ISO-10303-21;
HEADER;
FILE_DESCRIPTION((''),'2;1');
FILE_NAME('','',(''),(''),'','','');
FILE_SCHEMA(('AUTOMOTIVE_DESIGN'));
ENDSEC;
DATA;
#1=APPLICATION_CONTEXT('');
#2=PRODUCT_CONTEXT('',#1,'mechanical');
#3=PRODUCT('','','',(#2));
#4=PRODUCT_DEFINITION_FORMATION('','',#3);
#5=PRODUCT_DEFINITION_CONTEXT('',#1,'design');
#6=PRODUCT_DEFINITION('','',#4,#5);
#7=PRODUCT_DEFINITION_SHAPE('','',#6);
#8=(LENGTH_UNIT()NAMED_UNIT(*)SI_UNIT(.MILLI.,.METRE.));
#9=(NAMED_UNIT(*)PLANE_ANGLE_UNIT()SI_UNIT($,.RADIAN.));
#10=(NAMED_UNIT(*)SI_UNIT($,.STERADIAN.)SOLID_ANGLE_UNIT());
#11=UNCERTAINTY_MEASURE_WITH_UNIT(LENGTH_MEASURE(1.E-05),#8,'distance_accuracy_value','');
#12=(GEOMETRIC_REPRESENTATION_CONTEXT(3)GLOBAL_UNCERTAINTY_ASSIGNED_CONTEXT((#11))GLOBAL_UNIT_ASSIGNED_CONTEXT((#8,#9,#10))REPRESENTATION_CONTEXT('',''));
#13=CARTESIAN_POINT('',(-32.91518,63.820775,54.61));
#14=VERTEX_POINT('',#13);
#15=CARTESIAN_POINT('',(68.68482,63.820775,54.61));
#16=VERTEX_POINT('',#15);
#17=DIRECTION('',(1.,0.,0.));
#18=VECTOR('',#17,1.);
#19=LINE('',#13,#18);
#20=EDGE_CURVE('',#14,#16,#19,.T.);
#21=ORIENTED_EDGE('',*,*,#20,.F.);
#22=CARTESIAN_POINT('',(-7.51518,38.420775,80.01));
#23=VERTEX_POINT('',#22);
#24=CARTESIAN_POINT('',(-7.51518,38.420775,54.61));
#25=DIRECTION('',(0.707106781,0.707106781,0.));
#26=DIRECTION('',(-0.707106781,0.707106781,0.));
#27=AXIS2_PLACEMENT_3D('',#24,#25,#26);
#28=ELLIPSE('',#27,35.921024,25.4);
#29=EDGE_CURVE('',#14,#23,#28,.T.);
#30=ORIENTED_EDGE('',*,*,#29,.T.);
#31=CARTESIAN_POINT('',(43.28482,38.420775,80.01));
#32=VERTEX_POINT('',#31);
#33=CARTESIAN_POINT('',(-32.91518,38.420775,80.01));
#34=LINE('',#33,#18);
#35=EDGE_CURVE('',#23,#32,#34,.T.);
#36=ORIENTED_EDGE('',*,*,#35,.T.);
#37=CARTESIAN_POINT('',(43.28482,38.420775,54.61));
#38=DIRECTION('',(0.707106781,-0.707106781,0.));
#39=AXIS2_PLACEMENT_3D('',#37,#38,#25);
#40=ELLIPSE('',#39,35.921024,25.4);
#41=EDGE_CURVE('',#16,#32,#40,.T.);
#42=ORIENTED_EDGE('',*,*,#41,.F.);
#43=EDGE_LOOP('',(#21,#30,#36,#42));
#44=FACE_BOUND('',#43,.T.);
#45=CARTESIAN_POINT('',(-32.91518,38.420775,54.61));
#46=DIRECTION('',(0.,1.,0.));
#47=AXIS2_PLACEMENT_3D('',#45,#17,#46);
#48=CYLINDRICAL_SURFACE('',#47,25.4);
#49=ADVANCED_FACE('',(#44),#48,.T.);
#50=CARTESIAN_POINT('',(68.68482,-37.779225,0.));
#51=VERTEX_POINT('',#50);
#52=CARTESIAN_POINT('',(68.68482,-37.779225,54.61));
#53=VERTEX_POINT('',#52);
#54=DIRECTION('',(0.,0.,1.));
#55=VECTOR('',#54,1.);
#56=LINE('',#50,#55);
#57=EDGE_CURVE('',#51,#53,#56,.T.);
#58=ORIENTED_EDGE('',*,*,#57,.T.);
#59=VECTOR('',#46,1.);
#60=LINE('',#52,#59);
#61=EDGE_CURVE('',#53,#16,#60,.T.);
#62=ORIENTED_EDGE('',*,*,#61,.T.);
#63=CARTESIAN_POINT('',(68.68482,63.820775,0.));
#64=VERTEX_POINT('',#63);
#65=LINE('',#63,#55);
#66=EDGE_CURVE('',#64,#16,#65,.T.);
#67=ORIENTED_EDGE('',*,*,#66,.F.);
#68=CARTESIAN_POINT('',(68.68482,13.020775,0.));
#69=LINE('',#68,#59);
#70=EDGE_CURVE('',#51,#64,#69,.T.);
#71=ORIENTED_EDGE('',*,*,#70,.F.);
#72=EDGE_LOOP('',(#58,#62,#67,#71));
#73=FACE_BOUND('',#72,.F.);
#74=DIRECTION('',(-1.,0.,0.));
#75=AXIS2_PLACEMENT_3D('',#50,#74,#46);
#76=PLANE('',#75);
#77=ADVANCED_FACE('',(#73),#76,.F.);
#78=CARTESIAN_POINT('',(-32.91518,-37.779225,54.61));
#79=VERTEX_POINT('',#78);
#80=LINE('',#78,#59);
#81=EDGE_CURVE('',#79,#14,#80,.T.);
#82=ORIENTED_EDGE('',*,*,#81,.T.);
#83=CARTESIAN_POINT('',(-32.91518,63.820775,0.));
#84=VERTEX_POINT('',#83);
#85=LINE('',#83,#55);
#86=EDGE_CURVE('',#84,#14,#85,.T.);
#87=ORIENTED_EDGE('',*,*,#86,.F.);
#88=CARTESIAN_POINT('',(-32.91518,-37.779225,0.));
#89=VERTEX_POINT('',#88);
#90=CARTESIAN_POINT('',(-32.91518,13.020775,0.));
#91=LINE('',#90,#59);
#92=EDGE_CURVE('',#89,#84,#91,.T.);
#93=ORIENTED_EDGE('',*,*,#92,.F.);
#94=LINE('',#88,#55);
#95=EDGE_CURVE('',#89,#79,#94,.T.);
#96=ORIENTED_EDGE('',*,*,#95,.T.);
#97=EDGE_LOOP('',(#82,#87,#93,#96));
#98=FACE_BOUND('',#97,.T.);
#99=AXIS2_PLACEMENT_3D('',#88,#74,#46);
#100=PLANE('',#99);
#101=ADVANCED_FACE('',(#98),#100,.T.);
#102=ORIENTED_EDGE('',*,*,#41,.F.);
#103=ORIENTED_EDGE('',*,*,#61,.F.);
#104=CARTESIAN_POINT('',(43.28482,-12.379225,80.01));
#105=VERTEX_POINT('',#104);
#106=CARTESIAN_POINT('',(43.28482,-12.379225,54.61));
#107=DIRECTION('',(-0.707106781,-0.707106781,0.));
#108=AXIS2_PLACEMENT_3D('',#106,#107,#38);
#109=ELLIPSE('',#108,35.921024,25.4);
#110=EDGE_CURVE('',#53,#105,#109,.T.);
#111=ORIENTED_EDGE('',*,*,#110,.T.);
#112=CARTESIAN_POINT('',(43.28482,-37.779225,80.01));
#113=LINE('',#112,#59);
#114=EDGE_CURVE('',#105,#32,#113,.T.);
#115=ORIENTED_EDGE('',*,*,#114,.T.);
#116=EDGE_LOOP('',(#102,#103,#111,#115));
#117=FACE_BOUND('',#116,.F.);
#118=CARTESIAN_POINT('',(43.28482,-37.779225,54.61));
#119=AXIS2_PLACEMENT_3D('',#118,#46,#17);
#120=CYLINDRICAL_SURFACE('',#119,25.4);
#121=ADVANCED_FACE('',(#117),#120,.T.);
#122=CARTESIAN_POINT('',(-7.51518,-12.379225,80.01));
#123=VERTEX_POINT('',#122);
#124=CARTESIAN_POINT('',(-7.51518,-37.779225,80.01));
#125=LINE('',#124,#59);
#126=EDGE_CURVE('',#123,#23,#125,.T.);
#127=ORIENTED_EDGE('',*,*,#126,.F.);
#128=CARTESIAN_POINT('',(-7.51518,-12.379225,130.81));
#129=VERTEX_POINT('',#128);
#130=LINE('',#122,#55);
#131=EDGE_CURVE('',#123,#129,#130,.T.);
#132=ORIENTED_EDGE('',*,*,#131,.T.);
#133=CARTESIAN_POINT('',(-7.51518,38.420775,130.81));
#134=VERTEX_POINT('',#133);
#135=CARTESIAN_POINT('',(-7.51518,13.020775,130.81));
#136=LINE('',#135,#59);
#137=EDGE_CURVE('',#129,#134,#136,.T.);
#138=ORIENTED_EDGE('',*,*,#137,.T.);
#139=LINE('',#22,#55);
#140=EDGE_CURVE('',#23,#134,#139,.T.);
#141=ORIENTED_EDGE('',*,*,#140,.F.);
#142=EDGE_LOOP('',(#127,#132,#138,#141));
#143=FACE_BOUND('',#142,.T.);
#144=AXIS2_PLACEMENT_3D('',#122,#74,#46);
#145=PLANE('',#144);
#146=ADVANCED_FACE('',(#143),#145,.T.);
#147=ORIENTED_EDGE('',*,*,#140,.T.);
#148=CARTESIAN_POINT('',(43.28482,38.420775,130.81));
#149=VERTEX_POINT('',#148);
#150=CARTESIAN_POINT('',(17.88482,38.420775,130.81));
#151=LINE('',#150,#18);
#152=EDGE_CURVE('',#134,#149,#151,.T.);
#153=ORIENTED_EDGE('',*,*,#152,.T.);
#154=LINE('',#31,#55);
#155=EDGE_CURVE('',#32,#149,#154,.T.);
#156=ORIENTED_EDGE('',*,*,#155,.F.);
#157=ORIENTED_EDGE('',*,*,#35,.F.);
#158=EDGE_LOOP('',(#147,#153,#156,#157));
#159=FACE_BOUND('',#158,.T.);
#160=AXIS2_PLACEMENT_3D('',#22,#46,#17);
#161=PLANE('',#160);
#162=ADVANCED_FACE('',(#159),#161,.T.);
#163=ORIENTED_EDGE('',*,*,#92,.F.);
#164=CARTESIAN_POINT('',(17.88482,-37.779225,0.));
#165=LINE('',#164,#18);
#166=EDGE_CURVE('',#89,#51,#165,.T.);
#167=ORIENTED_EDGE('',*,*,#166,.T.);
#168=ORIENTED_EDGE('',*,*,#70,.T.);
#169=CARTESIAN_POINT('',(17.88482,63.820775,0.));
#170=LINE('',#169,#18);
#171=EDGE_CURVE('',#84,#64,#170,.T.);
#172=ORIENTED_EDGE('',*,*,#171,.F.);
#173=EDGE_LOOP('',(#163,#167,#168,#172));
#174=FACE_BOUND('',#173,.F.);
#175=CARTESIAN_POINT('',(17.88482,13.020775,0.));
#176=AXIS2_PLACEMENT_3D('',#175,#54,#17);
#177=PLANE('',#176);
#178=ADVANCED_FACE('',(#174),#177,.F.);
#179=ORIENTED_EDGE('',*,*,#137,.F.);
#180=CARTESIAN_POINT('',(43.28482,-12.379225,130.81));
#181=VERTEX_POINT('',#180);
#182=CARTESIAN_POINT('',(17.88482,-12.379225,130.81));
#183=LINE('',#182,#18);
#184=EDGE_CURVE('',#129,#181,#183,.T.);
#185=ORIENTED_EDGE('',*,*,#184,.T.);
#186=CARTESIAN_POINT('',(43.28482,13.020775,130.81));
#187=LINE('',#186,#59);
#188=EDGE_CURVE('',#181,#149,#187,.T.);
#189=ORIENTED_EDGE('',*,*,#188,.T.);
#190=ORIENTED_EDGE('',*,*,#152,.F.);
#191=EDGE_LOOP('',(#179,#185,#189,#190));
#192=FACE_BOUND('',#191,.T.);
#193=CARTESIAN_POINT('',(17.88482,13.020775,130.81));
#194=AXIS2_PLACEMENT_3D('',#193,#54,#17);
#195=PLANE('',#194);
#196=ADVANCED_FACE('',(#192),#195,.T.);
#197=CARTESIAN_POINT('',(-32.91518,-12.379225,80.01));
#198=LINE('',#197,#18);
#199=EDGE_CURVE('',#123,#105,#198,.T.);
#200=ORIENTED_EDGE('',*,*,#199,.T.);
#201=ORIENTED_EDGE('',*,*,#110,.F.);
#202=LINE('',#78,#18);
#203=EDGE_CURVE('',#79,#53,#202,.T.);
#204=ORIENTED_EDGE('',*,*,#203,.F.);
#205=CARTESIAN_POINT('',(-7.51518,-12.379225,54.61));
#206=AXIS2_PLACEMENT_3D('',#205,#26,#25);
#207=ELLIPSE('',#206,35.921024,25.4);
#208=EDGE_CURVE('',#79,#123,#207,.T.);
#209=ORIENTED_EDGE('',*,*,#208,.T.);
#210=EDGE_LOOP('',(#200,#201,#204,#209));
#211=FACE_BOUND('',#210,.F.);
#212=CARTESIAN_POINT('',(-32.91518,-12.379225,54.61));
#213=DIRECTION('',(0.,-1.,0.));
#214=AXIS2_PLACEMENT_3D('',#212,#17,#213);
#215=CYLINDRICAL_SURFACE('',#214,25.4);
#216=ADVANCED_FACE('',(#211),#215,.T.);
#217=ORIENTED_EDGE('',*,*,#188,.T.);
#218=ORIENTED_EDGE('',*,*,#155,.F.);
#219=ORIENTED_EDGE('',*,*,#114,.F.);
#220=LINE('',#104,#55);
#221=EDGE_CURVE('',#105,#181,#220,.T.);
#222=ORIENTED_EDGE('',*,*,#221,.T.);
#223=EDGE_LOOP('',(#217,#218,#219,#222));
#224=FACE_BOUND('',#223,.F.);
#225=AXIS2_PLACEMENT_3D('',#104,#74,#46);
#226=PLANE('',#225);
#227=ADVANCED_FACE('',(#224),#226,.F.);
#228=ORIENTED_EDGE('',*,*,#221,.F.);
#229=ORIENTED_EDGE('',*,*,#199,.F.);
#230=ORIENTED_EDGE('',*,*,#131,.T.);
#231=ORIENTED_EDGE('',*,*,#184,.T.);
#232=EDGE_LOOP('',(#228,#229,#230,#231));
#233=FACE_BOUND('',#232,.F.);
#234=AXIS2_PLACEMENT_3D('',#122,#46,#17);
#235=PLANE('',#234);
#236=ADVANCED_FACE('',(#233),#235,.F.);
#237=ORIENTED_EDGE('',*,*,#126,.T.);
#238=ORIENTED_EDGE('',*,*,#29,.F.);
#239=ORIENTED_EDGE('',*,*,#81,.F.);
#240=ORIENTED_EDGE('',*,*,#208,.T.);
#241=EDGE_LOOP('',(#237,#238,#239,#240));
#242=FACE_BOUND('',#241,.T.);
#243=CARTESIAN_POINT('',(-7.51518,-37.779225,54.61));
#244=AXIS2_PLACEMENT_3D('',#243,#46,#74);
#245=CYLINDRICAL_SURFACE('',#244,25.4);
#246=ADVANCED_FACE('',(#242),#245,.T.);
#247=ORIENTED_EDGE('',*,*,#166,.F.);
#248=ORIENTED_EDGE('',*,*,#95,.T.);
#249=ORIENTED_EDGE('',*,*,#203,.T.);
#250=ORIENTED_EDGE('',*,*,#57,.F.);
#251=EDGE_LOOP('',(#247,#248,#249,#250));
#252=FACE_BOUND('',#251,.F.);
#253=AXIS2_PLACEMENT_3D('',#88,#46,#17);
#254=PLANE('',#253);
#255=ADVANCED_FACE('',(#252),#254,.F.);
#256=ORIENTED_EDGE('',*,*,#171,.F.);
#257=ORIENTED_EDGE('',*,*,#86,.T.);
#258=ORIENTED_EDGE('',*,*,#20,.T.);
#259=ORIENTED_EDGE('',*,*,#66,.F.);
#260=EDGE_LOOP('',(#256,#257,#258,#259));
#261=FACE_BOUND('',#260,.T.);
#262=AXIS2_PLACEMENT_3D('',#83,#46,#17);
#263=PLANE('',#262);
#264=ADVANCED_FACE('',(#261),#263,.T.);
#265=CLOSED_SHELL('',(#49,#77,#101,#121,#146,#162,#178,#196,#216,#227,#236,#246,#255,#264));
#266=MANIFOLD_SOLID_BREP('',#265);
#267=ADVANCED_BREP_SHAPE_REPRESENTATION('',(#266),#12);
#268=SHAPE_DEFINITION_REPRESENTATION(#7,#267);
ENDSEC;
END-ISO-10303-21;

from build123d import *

# Parameters (mm, degrees)
F0_W      = 101.6
F0_H      = 101.6
F1_DEPTH  = 80.01
F2_R      = 25.4
F1_FACE_W = 50.8
F1_FACE_H = 50.8
F3_DEPTH  = 50.8


with BuildPart() as f1:
    # F0 (on Top) → F1 (new body)
    with BuildSketch(Plane.XY):
        with Locations((17.88482, 13.020775)):
            Rectangle(F0_W, F0_H)
    extrude(amount=F1_DEPTH)

    # F2
    f2_edges = [f1.edges().sort_by_distance(p)[0] for p in [
        (17.88482, -37.779225, 80.01),
        (-32.91518, 13.020775, 80.01),
        (17.88482, 63.820775, 80.01),
        (68.68482, 13.020775, 80.01),
    ]]
    fillet(f2_edges, radius=F2_R)

    # F1_face (on face) → F3 (join)
    with BuildSketch(Plane(origin=(17.88482, 13.020775, 80.01), x_dir=(1, 0, 0), z_dir=(0, 0, 1))):
        Rectangle(F1_FACE_W, F1_FACE_H)
    extrude(amount=F3_DEPTH)


solid = f1.part
